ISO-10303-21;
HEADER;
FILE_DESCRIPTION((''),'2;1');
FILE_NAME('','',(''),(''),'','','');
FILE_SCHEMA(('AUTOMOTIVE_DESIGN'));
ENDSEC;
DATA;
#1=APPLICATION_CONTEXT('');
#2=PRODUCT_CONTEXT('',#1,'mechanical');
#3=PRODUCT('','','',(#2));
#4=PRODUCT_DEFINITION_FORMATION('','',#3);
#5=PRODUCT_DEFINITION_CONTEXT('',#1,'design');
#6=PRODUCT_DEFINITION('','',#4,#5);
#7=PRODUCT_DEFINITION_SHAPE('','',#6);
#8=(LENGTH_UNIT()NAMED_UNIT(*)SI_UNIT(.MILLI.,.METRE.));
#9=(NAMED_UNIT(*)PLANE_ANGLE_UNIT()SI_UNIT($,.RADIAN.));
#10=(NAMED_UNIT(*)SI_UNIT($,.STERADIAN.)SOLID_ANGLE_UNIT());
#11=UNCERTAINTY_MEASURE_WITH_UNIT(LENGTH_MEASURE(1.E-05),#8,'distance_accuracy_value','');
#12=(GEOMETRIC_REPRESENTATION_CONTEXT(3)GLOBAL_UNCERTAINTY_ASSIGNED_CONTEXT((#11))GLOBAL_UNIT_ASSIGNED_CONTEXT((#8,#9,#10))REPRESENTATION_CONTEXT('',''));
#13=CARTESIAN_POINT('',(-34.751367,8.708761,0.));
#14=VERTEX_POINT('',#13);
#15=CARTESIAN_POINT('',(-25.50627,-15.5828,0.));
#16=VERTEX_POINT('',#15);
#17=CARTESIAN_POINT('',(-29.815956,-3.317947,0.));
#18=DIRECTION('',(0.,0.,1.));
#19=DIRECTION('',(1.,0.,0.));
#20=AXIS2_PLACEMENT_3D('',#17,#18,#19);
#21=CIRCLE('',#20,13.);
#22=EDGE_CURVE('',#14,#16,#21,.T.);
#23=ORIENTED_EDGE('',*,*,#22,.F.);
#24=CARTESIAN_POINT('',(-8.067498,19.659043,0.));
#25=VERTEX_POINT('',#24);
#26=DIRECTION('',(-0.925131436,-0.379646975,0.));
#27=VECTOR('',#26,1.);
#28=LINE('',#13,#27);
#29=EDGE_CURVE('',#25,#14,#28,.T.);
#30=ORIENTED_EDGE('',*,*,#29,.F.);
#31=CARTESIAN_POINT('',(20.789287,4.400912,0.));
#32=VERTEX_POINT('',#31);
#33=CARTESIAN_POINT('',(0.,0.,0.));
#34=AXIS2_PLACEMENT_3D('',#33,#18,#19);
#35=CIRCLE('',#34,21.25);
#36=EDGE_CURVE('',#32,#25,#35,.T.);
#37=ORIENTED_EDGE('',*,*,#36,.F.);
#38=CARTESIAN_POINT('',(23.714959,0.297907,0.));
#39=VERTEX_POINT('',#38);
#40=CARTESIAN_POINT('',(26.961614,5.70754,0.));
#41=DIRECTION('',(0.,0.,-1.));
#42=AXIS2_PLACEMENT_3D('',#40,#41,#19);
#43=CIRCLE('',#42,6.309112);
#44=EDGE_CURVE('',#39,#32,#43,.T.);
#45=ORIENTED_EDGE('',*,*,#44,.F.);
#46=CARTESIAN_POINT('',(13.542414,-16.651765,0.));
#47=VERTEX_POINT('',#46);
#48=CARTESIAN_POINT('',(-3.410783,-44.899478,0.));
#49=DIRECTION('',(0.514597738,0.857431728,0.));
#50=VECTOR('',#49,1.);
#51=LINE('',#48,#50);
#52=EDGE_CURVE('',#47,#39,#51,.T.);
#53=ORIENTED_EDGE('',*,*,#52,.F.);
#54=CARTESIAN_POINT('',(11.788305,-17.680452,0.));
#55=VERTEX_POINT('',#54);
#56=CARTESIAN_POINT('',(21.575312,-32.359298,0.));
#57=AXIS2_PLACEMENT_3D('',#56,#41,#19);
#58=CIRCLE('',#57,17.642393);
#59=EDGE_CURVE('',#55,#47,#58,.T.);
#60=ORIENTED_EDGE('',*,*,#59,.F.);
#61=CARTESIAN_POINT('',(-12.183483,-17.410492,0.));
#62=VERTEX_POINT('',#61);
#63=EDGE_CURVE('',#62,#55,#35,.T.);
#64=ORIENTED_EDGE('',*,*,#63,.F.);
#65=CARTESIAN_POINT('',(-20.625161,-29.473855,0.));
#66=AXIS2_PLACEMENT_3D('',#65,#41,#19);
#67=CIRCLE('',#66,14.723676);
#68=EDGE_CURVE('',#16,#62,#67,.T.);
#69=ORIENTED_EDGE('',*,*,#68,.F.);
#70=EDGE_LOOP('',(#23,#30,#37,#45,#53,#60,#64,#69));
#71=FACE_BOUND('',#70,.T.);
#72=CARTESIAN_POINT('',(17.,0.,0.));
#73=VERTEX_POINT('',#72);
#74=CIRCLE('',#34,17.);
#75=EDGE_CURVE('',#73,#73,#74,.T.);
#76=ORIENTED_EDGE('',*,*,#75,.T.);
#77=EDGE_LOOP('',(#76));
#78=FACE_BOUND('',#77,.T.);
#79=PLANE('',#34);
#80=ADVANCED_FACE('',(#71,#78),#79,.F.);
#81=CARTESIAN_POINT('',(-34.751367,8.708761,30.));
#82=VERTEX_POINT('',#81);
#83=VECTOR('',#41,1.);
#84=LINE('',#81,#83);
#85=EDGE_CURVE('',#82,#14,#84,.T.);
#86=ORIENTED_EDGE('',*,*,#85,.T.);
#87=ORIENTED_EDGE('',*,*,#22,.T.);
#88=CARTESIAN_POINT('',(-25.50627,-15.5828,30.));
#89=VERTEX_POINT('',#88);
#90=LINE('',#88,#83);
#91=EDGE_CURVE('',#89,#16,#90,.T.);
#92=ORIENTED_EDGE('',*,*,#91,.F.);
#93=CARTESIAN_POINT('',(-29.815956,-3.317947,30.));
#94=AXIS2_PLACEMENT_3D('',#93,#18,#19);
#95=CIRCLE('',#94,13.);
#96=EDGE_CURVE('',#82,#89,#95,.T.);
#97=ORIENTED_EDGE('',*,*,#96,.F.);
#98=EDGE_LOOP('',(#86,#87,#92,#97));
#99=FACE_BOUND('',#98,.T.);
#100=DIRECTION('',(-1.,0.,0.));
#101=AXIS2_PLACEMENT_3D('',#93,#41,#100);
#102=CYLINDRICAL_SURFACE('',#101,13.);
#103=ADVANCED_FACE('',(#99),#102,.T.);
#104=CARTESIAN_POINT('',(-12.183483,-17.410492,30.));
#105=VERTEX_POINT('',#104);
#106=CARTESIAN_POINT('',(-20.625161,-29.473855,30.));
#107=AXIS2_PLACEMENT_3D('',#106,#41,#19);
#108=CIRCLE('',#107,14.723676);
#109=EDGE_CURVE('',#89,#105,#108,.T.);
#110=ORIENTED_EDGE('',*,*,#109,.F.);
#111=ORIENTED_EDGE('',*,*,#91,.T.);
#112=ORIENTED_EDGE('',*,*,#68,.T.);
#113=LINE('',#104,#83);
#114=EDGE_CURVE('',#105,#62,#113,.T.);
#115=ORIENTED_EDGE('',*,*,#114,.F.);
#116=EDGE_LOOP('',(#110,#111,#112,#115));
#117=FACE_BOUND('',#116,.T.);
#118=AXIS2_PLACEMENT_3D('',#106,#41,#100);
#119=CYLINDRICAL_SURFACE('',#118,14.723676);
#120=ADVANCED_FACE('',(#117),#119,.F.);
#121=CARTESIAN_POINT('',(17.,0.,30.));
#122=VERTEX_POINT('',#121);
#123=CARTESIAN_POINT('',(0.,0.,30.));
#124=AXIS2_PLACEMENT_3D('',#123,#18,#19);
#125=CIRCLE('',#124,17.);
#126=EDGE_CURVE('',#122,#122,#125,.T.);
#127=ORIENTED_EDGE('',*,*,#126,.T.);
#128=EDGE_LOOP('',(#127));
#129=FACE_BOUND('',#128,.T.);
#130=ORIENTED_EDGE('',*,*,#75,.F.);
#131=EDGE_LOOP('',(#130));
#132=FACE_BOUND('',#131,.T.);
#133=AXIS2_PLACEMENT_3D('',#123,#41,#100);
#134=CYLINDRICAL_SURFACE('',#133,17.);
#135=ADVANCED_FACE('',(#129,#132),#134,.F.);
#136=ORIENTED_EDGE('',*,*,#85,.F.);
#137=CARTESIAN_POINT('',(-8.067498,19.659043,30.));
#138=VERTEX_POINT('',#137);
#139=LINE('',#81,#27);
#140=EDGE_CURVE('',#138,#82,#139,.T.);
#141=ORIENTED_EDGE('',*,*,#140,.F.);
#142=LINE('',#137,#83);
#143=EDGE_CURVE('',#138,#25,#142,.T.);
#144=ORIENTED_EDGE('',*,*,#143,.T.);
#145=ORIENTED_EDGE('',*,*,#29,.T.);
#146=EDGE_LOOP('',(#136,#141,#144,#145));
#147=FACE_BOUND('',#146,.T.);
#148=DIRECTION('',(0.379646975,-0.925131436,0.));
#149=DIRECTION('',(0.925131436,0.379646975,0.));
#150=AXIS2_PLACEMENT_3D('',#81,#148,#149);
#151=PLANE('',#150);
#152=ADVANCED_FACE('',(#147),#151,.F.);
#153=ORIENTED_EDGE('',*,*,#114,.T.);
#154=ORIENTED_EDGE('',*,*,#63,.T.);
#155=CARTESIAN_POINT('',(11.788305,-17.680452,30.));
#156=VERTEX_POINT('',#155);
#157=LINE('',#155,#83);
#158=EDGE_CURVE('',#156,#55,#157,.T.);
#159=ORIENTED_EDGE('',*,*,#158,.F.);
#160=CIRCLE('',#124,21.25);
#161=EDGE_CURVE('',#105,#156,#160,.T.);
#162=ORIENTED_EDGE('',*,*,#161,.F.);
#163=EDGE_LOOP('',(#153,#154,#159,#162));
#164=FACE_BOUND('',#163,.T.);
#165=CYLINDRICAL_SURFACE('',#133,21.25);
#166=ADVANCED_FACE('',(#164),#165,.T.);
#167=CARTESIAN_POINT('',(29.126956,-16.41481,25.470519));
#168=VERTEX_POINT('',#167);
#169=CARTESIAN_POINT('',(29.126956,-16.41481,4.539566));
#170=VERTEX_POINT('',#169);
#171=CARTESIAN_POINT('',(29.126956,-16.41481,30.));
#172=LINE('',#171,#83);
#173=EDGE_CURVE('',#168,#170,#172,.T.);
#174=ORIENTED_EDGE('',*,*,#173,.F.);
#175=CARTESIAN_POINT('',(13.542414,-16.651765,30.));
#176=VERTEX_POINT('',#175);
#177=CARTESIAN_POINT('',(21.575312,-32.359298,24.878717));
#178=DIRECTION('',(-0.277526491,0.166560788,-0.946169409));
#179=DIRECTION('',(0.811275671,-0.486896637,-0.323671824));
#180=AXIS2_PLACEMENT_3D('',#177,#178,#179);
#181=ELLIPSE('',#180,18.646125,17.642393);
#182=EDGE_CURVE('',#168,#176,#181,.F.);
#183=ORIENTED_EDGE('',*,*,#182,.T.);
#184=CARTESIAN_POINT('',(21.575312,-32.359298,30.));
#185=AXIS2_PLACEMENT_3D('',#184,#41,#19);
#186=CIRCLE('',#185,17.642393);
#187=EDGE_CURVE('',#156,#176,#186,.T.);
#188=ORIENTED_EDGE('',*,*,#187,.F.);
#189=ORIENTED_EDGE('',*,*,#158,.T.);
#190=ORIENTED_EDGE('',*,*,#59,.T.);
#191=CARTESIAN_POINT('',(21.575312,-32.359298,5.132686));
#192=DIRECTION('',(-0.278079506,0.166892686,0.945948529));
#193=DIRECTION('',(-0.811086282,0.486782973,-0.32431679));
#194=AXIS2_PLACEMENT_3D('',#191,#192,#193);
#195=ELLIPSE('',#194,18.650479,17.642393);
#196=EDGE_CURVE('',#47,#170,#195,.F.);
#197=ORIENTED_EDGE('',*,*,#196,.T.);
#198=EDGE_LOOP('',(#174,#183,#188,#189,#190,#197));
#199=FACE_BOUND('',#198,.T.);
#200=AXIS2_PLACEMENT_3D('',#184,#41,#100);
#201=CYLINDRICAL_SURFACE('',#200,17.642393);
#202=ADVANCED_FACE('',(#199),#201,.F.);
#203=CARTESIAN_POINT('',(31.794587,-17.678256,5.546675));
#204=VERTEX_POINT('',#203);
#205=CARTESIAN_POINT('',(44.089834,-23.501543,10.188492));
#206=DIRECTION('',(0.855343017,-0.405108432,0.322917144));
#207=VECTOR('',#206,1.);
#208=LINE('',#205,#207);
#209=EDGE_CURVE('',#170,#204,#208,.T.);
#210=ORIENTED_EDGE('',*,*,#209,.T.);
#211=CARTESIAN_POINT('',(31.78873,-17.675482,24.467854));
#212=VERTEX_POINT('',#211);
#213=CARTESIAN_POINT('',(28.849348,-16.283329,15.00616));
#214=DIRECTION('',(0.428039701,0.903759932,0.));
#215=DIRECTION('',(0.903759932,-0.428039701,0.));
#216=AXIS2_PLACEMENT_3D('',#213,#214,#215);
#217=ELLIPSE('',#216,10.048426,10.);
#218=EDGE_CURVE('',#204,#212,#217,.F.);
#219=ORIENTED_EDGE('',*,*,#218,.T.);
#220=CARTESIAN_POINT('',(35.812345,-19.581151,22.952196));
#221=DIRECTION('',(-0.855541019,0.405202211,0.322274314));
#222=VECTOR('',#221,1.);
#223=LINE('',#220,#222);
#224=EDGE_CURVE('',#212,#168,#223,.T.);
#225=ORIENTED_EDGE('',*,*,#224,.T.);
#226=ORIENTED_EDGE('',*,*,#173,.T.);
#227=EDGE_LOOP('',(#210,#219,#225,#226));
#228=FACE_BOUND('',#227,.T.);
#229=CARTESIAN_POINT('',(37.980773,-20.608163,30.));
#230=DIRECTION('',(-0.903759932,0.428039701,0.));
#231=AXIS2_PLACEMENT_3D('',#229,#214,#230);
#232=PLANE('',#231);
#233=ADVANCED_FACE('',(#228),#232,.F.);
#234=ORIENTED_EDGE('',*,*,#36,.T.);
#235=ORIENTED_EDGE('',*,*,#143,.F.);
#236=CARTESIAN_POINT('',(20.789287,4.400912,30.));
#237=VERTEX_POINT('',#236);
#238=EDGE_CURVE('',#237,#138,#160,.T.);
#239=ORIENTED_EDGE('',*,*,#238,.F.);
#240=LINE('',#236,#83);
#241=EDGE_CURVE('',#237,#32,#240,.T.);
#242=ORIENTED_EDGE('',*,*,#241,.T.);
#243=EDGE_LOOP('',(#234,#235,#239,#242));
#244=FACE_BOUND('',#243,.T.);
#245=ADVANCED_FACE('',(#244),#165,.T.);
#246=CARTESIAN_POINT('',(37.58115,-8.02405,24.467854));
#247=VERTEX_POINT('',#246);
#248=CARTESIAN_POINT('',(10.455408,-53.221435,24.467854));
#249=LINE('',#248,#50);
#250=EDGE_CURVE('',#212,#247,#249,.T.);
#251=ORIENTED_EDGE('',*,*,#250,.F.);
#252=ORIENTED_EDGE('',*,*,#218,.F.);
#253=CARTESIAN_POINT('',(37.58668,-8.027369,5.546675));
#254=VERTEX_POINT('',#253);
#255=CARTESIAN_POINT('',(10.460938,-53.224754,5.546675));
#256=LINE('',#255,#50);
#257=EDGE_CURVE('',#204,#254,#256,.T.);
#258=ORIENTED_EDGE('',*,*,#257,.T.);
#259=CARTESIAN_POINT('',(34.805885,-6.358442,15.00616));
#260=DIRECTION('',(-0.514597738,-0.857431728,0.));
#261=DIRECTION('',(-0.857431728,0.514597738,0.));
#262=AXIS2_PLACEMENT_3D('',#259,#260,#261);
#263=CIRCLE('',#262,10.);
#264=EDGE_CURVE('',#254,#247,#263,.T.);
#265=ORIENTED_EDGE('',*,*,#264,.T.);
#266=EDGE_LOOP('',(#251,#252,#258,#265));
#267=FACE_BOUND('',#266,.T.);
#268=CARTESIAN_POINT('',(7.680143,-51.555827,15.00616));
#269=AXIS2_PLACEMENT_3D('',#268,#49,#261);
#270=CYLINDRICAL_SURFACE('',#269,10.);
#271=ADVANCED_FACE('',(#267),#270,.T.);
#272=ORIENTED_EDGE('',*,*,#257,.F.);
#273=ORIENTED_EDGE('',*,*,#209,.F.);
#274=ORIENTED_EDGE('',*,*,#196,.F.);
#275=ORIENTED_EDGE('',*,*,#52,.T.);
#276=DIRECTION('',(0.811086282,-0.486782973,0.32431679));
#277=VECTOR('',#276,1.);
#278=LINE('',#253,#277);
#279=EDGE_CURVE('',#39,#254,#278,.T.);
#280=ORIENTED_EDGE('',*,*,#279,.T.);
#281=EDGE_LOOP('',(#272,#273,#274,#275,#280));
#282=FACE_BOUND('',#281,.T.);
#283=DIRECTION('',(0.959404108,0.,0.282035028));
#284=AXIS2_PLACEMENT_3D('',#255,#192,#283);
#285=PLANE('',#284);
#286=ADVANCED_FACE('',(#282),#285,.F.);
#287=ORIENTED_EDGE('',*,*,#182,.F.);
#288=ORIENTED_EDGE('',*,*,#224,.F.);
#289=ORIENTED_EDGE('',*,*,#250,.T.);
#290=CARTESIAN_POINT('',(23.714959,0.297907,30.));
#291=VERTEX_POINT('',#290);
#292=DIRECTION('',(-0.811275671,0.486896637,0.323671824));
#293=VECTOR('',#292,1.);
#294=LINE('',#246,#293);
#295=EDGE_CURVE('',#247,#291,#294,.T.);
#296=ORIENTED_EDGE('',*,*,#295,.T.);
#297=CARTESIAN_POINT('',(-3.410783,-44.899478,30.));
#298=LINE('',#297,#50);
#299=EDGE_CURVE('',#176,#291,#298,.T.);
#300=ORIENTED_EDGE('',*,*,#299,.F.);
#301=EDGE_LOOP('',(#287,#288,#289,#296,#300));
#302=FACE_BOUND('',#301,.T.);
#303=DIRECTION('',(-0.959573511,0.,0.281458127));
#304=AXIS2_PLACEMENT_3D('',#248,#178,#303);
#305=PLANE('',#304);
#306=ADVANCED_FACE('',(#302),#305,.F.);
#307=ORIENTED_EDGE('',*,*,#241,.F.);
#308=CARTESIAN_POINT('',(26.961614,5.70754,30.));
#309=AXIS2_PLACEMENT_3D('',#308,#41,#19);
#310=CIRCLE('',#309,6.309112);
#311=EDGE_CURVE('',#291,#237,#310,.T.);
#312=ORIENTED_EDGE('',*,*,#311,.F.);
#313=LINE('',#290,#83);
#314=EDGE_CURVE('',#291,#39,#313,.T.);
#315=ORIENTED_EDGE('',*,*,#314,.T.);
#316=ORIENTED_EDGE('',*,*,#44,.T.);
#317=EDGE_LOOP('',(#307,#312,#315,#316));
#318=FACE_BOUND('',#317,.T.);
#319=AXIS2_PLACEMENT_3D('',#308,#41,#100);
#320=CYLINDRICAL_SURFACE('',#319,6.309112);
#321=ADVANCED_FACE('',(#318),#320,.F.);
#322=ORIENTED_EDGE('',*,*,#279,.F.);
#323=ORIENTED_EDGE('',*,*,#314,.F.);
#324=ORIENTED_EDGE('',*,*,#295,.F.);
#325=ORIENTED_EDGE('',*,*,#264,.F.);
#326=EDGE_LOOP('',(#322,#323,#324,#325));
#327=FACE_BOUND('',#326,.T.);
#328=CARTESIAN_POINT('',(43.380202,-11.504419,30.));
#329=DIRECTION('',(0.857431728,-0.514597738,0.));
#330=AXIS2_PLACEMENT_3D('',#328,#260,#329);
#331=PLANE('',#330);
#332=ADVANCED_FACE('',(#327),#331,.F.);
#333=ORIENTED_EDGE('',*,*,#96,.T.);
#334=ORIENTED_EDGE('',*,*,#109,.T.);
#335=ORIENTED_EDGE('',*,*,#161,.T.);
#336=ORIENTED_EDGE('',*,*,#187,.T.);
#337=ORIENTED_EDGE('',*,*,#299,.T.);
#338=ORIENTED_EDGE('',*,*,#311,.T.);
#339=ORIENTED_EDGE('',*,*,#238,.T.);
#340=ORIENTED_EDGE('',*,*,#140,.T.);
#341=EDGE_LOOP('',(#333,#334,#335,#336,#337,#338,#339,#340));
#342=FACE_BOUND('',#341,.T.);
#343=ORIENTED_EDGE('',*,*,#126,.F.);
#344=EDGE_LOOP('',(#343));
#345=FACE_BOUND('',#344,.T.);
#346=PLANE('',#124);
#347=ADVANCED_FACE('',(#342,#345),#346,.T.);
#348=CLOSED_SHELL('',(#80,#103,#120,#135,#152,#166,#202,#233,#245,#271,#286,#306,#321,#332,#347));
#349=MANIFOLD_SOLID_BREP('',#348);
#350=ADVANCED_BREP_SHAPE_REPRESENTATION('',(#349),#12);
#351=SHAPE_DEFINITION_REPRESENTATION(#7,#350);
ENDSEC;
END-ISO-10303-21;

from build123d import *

# Parameters (mm, degrees)
CROQUIS1_R              = 17
SALIENTE_EXTRUIR1_DEPTH = 30
CORTAR_EXTRUIR5_DEPTH   = 66.901748436


with BuildPart() as part:
    # Croquis1 → Saliente-Extruir1 (new body)
    with BuildSketch(Plane.XY):
        with BuildLine():
            Line((-34.751366554, 8.708761257), (-8.067498219, 19.65904302))
            ThreePointArc((-8.067498219, 19.65904302), (9.932956283, 18.785602984), (20.78928746, 4.400912053))
            ThreePointArc((20.78928746, 4.400912053), (21.824692428, 2.04462752), (23.714959375, 0.297907417))
            Line((23.714959375, 0.297907417), (43.380202362, -11.504419481))
            Line((43.380202362, -11.504419481), (37.980772654, -20.60816348))
            Line((37.980772654, -20.60816348), (29.126956343, -16.414809963))
            ThreePointArc((29.126956343, -16.414809963), (20.290915471, -14.763720087), (11.788304563, -17.680451791))
            ThreePointArc((11.788304563, -17.680451791), (-0.239292664, -21.24865264), (-12.18348282, -17.410492422))
            ThreePointArc((-12.18348282, -17.410492422), (-18.624029112, -14.886802036), (-25.506269787, -15.582799871))
            ThreePointArc((-25.506269787, -15.582799871), (-41.965765273, -7.942029126), (-34.751366554, 8.708761257))
        make_face()
        Circle(CROQUIS1_R, mode=Mode.SUBTRACT)
    extrude(amount=SALIENTE_EXTRUIR1_DEPTH)

    # Croquis7 → Cortar-Extruir5 (cut, through all)
    with BuildSketch(Plane(origin=(6.411424524, 10.682827398, 0), x_dir=(0.857431728196329, -0.5145977375409424, 0), z_dir=(0.5145977375409424, 0.857431728196329, 0))):
        with BuildLine():
            Line((20.180656118, 0), (20.180656118, 9.238458875))
            Line((20.180656118, 9.238458875), (56.582580984, 4.619229438))
            Line((56.582580984, 4.619229438), (52.496685568, -37.874416839))
            Line((52.496685568, -37.874416839), (21.89416276, -35.456233837))
            Line((21.89416276, -35.456233837), (20.180656118, -30))
            Line((20.180656118, -30), (36.352428356, -24.467854313))
            ThreePointArc((36.352428356, -24.467854313), (43.115709537, -15.009568923), (36.358878018, -5.546674933))
            Line((36.358878018, -5.546674933), (20.180656118, 0))
        make_face()
    extrude(amount=-CORTAR_EXTRUIR5_DEPTH, mode=Mode.SUBTRACT)


solid = part.part
